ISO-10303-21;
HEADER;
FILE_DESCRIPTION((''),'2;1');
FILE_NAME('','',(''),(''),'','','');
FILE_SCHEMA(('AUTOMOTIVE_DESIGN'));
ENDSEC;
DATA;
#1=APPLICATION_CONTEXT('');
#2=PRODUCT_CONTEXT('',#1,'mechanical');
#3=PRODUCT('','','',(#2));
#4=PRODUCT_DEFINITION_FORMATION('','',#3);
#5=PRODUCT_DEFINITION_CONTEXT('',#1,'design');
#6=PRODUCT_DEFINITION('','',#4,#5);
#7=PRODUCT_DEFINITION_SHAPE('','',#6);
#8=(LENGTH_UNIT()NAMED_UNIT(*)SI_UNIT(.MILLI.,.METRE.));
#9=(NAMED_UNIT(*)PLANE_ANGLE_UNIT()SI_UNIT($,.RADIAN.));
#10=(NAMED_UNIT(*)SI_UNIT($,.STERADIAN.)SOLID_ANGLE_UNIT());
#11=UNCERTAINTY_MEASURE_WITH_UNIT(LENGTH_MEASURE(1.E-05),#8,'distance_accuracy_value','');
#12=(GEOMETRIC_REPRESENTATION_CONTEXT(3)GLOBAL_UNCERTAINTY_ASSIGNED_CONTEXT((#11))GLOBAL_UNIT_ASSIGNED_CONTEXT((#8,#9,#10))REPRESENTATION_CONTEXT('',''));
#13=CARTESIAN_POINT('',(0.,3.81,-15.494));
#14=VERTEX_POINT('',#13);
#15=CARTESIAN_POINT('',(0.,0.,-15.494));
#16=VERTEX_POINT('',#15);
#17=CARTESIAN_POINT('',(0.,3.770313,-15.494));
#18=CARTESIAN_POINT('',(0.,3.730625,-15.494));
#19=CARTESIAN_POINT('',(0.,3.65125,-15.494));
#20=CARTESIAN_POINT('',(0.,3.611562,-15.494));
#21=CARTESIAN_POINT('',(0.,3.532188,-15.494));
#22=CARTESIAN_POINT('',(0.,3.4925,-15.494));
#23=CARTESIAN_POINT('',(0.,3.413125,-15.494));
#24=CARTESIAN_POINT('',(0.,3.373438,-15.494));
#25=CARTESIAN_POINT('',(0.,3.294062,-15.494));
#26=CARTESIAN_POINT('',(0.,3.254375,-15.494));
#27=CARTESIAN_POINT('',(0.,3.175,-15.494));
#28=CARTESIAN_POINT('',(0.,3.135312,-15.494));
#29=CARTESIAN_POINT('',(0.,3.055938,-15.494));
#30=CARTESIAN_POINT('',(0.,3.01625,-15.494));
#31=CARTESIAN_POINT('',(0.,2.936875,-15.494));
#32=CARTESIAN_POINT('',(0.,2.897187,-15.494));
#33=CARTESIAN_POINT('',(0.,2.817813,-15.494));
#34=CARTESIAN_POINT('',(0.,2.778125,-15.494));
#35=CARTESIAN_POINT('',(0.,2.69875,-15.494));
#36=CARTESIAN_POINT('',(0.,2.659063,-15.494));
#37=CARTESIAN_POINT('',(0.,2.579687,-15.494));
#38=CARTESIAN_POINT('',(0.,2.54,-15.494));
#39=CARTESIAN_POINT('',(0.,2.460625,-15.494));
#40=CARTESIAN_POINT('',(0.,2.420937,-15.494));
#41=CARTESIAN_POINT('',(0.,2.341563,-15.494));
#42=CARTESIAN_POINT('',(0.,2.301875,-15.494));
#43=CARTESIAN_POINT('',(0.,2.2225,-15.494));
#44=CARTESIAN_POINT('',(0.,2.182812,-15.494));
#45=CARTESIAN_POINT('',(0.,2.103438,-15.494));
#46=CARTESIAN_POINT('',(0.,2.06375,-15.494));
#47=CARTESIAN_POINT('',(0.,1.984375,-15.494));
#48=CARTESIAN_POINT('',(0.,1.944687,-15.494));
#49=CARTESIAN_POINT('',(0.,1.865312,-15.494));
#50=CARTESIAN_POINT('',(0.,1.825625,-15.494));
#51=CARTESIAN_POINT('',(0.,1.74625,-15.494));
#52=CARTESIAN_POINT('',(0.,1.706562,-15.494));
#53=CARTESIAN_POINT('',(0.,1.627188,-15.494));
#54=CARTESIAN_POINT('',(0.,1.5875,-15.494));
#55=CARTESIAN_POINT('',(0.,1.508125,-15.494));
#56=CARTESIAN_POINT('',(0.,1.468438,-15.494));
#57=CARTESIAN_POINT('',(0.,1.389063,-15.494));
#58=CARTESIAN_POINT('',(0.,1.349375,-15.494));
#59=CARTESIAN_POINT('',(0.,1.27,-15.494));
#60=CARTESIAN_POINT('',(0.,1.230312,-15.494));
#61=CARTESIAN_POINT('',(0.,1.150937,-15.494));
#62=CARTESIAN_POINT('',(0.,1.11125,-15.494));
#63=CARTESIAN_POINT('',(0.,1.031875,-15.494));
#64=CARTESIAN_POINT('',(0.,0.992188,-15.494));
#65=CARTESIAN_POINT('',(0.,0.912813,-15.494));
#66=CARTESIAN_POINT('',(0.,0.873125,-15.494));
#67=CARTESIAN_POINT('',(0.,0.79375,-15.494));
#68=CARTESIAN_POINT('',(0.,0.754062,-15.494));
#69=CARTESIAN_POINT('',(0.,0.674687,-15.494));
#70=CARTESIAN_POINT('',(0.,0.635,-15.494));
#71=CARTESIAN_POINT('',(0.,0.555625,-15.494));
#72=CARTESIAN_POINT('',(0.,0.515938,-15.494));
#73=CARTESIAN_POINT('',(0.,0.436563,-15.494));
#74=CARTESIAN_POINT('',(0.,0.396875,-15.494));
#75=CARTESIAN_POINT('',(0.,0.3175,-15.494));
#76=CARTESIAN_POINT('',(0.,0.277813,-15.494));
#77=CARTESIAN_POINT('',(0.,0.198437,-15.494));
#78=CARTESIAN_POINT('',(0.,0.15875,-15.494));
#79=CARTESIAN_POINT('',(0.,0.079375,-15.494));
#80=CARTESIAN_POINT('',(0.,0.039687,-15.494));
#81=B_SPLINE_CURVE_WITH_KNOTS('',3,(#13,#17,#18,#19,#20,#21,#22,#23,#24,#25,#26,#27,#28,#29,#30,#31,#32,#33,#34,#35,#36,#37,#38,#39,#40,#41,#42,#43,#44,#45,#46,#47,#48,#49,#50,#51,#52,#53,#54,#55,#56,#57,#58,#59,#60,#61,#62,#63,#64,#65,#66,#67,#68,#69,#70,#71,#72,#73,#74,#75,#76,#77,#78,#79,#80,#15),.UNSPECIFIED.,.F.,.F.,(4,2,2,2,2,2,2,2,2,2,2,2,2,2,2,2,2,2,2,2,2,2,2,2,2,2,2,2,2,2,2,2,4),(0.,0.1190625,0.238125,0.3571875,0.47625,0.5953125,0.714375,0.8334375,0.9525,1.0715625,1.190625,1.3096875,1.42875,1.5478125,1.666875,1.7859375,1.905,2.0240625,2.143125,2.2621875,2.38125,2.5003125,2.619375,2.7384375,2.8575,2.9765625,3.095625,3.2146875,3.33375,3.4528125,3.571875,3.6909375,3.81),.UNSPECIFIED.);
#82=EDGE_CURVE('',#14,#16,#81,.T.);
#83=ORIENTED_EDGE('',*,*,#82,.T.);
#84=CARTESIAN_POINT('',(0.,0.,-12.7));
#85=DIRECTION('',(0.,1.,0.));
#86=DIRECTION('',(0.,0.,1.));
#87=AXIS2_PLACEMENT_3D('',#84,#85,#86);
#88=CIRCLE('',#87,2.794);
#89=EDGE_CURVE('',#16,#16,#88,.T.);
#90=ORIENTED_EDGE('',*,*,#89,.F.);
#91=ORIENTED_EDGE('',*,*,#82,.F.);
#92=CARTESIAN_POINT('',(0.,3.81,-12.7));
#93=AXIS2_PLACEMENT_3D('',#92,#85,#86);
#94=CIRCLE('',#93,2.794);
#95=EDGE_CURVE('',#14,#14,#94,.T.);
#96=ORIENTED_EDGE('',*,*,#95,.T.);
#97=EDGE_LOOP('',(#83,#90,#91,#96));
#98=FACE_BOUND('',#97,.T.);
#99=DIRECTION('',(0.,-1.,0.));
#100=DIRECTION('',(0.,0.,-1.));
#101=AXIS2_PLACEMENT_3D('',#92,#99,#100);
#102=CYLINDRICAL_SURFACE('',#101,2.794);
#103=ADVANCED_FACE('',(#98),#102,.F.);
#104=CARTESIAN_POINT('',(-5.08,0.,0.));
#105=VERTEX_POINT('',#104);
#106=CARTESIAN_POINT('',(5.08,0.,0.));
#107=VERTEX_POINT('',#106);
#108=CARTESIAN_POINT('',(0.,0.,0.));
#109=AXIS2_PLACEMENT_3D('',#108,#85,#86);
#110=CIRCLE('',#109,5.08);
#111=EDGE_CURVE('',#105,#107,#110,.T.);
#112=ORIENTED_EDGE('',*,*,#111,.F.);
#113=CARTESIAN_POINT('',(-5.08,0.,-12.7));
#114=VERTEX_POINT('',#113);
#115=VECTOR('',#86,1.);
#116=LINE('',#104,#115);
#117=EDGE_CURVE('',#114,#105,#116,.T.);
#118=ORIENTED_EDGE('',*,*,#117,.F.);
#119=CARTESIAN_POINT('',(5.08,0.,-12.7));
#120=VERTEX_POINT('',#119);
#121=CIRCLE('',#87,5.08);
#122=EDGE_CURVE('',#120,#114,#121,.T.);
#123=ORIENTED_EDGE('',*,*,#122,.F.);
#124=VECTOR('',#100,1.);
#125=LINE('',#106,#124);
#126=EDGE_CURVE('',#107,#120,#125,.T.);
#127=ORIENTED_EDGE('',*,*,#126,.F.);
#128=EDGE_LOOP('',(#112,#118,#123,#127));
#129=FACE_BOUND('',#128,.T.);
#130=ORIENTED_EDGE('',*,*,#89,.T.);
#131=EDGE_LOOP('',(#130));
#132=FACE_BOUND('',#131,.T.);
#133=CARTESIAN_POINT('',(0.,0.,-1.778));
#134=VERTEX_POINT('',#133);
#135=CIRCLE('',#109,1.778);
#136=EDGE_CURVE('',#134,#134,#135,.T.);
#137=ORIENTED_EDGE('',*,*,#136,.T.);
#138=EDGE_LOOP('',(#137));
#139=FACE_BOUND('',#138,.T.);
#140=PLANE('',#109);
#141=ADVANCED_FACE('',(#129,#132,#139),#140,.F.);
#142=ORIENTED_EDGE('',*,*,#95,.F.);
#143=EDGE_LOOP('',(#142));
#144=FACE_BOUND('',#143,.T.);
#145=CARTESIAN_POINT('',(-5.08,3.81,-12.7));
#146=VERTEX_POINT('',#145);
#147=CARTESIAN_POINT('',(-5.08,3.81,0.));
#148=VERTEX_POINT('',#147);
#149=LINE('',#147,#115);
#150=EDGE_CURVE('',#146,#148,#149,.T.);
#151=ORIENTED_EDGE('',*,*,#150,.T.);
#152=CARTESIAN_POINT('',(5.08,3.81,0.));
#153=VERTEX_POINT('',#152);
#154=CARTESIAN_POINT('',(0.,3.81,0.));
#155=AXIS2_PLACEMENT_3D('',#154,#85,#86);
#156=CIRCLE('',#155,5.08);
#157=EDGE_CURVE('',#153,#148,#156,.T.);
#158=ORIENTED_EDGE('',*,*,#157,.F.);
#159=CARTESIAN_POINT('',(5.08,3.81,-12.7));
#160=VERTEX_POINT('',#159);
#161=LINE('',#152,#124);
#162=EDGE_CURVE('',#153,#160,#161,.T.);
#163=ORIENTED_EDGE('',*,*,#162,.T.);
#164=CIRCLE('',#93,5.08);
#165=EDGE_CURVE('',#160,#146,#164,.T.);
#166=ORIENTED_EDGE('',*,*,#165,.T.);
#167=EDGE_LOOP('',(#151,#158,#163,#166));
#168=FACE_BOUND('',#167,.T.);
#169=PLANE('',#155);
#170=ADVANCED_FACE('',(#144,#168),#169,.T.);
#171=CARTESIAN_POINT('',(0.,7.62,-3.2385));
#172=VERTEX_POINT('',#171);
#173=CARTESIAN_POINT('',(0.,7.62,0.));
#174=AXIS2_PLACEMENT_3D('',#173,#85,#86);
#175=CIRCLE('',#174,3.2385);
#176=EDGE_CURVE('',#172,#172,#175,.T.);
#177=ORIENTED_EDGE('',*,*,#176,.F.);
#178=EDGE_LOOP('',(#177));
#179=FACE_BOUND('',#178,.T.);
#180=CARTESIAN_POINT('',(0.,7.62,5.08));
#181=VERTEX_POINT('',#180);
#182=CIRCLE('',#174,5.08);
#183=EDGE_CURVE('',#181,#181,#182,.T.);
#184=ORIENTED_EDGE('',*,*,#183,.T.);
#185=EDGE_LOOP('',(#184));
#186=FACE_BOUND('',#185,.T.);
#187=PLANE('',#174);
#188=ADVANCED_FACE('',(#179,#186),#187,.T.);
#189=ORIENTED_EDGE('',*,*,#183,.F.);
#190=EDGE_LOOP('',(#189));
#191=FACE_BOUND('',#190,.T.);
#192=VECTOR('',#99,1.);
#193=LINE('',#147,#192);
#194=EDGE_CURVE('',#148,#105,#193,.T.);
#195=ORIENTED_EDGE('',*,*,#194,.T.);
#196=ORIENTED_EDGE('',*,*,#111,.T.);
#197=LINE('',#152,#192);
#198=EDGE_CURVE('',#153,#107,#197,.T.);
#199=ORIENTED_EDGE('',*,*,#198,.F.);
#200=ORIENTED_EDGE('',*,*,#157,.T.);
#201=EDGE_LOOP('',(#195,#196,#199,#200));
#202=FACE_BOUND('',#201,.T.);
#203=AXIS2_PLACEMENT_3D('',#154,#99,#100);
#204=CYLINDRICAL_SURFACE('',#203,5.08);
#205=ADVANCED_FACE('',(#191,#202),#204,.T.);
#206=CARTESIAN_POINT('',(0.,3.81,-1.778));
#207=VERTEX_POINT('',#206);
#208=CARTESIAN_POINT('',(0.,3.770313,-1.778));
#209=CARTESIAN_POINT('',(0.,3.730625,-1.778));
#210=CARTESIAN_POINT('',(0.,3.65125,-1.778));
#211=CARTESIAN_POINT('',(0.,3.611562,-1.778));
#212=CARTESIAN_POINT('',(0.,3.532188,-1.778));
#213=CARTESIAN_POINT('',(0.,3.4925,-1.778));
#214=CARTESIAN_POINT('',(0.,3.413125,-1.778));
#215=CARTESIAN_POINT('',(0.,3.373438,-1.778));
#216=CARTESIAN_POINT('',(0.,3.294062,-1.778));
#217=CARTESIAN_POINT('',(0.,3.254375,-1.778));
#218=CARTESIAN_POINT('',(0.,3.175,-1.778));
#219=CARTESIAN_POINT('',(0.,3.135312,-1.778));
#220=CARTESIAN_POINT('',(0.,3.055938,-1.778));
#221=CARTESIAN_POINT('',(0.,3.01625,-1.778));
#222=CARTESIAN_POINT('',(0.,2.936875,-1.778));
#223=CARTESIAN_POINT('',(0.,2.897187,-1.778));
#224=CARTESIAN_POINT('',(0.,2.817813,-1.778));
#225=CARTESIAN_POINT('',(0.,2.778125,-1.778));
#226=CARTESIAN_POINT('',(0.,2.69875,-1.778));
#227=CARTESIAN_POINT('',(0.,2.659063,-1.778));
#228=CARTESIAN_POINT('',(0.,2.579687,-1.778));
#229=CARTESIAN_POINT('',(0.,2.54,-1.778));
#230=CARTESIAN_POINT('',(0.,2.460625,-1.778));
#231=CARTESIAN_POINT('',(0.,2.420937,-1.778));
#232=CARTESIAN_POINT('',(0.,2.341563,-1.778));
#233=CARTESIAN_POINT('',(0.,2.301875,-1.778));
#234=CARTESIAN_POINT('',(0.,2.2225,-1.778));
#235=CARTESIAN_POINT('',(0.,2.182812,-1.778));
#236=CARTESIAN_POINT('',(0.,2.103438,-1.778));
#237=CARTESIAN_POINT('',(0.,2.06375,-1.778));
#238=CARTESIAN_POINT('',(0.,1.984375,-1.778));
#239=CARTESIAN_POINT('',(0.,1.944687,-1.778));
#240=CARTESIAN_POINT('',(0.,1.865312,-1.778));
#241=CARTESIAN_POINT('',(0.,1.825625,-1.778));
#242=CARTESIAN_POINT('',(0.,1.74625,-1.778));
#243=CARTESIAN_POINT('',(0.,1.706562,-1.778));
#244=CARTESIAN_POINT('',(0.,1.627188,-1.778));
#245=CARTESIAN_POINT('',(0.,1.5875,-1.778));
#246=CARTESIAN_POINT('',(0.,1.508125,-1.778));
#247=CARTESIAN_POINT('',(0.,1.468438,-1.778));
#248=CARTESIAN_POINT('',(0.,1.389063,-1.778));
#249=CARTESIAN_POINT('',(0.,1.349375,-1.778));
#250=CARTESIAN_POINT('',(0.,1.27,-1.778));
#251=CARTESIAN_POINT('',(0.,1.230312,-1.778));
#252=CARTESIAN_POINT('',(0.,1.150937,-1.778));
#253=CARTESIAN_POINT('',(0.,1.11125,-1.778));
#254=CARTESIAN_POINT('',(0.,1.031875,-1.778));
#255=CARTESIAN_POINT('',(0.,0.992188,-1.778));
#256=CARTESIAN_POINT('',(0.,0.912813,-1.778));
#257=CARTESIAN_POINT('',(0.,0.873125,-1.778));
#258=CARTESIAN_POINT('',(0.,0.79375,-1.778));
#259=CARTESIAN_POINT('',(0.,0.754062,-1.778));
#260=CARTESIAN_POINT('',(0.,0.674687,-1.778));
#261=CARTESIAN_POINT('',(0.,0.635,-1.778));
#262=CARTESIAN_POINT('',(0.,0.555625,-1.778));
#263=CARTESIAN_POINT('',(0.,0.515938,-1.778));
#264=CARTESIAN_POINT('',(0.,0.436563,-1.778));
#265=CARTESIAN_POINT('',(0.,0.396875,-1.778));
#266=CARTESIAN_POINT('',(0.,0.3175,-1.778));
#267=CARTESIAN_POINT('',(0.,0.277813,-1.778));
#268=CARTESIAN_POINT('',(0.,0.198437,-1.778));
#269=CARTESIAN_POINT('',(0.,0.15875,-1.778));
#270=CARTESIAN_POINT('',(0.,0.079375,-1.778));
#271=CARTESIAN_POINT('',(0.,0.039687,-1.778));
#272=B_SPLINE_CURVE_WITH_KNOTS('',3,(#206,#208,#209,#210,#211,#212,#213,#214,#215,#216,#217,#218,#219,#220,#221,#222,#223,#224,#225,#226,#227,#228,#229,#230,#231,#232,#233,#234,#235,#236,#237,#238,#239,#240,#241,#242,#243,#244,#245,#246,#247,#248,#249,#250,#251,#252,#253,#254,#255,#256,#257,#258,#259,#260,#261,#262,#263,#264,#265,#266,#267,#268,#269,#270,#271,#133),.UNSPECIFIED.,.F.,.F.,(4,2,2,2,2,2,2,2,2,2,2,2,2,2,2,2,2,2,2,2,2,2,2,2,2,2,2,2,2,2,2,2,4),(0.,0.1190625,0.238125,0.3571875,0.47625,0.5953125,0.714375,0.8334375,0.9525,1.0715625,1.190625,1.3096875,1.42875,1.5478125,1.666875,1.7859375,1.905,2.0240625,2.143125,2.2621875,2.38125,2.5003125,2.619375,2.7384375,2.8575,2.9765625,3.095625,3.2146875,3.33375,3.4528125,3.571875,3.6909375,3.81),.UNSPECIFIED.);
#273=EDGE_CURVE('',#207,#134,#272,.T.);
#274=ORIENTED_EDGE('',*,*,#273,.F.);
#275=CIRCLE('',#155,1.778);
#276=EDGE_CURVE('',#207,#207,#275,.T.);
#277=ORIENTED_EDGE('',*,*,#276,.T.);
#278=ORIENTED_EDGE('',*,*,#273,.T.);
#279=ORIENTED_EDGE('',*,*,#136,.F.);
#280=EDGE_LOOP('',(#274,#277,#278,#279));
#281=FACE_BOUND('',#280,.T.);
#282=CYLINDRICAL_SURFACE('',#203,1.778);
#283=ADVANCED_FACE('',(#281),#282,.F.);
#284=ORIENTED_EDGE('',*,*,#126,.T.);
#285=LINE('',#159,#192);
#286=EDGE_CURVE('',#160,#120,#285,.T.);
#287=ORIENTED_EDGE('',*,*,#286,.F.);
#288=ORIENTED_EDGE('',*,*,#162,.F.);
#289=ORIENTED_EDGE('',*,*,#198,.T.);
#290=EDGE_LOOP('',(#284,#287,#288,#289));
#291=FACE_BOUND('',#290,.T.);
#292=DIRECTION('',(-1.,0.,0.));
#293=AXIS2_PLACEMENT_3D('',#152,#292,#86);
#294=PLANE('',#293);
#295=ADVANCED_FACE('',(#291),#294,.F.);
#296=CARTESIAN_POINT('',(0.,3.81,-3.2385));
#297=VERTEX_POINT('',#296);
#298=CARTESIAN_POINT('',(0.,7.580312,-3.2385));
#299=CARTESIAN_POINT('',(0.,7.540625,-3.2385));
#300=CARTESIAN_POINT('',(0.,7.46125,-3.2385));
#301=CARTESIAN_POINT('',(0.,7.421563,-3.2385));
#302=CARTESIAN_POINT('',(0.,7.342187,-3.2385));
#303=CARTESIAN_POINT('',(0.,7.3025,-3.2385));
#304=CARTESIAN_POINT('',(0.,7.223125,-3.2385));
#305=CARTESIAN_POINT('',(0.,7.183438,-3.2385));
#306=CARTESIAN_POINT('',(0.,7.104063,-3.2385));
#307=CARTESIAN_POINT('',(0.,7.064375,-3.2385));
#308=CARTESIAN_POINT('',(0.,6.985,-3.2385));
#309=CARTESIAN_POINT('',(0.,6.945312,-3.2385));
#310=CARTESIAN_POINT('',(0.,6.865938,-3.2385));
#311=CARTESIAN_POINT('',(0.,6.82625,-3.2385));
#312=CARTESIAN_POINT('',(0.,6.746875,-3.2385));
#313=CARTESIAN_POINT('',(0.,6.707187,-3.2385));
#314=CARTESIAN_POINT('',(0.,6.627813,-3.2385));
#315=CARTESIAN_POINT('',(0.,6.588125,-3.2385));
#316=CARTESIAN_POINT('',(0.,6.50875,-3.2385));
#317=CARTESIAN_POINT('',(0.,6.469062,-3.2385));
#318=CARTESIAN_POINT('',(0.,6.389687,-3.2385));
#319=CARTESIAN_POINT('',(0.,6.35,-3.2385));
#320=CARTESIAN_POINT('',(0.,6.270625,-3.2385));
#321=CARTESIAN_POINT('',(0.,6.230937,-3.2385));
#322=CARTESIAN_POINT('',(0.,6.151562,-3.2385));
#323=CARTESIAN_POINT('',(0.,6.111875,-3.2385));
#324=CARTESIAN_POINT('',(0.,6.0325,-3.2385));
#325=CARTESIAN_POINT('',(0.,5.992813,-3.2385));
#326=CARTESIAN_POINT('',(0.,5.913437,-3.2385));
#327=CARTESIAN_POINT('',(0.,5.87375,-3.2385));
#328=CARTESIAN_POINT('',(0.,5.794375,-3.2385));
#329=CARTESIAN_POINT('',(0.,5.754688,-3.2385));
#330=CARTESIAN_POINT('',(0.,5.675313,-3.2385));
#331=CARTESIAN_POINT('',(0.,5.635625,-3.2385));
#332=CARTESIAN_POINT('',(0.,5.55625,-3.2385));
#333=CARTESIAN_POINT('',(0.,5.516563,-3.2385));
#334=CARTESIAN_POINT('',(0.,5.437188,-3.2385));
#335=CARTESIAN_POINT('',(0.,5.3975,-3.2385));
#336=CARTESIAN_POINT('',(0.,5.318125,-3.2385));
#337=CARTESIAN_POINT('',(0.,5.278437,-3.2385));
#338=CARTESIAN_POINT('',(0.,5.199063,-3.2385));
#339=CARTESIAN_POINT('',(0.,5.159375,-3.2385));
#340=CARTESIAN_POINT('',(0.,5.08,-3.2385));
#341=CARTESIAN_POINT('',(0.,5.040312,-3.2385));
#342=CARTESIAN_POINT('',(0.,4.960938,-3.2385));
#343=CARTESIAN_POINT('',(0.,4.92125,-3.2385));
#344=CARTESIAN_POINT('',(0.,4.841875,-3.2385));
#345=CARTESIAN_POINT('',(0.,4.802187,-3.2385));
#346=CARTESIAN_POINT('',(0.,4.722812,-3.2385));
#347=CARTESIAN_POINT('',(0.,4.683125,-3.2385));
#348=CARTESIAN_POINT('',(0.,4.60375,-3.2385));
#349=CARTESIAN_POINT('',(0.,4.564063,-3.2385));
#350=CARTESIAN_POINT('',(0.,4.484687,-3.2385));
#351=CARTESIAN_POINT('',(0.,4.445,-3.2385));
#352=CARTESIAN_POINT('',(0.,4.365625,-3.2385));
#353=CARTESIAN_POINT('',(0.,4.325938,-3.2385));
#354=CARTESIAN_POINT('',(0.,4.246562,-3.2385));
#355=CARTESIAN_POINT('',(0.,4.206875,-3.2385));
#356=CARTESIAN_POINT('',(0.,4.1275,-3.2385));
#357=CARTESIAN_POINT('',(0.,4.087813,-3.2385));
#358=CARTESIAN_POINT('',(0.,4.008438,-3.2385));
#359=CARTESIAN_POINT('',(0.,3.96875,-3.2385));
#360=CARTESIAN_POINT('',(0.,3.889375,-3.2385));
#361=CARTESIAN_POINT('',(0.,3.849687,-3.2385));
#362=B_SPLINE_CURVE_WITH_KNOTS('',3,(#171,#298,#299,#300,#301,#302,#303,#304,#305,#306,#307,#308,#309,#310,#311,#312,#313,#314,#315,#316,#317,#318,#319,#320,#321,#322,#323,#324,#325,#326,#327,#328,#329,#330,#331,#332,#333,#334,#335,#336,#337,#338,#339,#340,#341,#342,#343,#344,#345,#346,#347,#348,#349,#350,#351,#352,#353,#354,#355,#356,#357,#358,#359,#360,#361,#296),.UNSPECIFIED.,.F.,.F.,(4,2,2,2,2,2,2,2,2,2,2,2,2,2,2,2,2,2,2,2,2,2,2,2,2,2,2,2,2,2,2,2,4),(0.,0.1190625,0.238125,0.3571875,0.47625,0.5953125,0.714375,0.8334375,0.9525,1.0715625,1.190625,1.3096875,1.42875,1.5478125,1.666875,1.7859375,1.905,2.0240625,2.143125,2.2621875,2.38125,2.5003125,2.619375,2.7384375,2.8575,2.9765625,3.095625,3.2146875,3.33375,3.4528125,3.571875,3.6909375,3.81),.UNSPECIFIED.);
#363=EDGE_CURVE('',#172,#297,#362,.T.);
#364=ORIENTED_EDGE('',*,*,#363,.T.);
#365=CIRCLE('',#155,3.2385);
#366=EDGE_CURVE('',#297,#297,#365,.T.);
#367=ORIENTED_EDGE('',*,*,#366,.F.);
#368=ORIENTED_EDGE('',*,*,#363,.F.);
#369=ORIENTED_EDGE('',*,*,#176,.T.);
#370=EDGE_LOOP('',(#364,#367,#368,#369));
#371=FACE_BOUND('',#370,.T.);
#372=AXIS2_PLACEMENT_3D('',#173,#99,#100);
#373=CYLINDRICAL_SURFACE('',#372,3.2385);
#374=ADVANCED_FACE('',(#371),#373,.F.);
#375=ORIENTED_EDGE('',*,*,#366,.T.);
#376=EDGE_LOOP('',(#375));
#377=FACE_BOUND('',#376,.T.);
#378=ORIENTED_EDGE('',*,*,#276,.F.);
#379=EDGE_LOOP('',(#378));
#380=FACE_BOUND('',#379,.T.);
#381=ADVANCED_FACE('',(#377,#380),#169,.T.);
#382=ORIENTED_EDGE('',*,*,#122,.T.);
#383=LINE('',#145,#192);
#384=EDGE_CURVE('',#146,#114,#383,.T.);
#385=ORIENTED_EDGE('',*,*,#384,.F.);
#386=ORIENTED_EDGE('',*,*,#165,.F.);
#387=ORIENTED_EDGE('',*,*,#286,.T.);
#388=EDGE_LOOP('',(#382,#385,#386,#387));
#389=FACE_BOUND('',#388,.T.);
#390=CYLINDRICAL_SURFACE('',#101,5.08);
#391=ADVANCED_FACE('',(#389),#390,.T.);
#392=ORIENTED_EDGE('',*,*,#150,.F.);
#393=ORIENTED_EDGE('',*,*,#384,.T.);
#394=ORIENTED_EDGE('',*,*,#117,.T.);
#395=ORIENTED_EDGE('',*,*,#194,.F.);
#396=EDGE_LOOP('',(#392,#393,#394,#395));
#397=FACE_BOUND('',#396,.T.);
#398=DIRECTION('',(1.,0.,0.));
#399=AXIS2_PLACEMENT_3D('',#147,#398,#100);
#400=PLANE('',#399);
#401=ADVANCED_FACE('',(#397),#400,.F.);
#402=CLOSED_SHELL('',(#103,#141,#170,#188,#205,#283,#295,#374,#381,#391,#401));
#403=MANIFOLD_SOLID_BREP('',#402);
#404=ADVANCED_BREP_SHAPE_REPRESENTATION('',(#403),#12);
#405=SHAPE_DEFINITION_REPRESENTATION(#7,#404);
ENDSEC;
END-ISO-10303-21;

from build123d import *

# Parameters (mm, degrees)
SKETCH1_R           = 1.778
SKETCH1_R_2         = 2.794
BASE_DEPTH          = 3.81
SKETCH2_R           = 5.08
SKETCH2_R_2         = 3.2385
BOSS_EXTRUDE2_DEPTH = 3.81


with BuildPart() as part:
    # Sketch1 → base (new body)
    with BuildSketch(Plane(origin=(0, 0, 0), x_dir=(1, 0, 0), z_dir=(0, 1, 0))):
        with BuildLine():
            Line((-5.08, 0), (-5.08, 12.7))
            ThreePointArc((-5.08, 12.7), (0, 17.78), (5.08, 12.7))
            Line((5.08, 12.7), (5.08, 0))
            ThreePointArc((5.08, 0), (0, -5.08), (-5.08, 0))
        make_face()
        with Locations(Location((0, 0, 0), (0, 0, 90))):
            Circle(SKETCH1_R, mode=Mode.SUBTRACT)
        with Locations(Location((0, 12.7, 0), (0, 0, 90))):
            Circle(SKETCH1_R_2, mode=Mode.SUBTRACT)
    extrude(amount=BASE_DEPTH)

    # Sketch2 → Boss-Extrude2 (add)
    with BuildSketch(Plane(origin=(0, 3.81, 0), x_dir=(1, 0, 0), z_dir=(0, 1, 0))):
        Circle(SKETCH2_R)
        with Locations(Location((0, 0, 0), (0, 0, 90))):
            Circle(SKETCH2_R_2, mode=Mode.SUBTRACT)
    extrude(amount=BOSS_EXTRUDE2_DEPTH)


solid = part.part
